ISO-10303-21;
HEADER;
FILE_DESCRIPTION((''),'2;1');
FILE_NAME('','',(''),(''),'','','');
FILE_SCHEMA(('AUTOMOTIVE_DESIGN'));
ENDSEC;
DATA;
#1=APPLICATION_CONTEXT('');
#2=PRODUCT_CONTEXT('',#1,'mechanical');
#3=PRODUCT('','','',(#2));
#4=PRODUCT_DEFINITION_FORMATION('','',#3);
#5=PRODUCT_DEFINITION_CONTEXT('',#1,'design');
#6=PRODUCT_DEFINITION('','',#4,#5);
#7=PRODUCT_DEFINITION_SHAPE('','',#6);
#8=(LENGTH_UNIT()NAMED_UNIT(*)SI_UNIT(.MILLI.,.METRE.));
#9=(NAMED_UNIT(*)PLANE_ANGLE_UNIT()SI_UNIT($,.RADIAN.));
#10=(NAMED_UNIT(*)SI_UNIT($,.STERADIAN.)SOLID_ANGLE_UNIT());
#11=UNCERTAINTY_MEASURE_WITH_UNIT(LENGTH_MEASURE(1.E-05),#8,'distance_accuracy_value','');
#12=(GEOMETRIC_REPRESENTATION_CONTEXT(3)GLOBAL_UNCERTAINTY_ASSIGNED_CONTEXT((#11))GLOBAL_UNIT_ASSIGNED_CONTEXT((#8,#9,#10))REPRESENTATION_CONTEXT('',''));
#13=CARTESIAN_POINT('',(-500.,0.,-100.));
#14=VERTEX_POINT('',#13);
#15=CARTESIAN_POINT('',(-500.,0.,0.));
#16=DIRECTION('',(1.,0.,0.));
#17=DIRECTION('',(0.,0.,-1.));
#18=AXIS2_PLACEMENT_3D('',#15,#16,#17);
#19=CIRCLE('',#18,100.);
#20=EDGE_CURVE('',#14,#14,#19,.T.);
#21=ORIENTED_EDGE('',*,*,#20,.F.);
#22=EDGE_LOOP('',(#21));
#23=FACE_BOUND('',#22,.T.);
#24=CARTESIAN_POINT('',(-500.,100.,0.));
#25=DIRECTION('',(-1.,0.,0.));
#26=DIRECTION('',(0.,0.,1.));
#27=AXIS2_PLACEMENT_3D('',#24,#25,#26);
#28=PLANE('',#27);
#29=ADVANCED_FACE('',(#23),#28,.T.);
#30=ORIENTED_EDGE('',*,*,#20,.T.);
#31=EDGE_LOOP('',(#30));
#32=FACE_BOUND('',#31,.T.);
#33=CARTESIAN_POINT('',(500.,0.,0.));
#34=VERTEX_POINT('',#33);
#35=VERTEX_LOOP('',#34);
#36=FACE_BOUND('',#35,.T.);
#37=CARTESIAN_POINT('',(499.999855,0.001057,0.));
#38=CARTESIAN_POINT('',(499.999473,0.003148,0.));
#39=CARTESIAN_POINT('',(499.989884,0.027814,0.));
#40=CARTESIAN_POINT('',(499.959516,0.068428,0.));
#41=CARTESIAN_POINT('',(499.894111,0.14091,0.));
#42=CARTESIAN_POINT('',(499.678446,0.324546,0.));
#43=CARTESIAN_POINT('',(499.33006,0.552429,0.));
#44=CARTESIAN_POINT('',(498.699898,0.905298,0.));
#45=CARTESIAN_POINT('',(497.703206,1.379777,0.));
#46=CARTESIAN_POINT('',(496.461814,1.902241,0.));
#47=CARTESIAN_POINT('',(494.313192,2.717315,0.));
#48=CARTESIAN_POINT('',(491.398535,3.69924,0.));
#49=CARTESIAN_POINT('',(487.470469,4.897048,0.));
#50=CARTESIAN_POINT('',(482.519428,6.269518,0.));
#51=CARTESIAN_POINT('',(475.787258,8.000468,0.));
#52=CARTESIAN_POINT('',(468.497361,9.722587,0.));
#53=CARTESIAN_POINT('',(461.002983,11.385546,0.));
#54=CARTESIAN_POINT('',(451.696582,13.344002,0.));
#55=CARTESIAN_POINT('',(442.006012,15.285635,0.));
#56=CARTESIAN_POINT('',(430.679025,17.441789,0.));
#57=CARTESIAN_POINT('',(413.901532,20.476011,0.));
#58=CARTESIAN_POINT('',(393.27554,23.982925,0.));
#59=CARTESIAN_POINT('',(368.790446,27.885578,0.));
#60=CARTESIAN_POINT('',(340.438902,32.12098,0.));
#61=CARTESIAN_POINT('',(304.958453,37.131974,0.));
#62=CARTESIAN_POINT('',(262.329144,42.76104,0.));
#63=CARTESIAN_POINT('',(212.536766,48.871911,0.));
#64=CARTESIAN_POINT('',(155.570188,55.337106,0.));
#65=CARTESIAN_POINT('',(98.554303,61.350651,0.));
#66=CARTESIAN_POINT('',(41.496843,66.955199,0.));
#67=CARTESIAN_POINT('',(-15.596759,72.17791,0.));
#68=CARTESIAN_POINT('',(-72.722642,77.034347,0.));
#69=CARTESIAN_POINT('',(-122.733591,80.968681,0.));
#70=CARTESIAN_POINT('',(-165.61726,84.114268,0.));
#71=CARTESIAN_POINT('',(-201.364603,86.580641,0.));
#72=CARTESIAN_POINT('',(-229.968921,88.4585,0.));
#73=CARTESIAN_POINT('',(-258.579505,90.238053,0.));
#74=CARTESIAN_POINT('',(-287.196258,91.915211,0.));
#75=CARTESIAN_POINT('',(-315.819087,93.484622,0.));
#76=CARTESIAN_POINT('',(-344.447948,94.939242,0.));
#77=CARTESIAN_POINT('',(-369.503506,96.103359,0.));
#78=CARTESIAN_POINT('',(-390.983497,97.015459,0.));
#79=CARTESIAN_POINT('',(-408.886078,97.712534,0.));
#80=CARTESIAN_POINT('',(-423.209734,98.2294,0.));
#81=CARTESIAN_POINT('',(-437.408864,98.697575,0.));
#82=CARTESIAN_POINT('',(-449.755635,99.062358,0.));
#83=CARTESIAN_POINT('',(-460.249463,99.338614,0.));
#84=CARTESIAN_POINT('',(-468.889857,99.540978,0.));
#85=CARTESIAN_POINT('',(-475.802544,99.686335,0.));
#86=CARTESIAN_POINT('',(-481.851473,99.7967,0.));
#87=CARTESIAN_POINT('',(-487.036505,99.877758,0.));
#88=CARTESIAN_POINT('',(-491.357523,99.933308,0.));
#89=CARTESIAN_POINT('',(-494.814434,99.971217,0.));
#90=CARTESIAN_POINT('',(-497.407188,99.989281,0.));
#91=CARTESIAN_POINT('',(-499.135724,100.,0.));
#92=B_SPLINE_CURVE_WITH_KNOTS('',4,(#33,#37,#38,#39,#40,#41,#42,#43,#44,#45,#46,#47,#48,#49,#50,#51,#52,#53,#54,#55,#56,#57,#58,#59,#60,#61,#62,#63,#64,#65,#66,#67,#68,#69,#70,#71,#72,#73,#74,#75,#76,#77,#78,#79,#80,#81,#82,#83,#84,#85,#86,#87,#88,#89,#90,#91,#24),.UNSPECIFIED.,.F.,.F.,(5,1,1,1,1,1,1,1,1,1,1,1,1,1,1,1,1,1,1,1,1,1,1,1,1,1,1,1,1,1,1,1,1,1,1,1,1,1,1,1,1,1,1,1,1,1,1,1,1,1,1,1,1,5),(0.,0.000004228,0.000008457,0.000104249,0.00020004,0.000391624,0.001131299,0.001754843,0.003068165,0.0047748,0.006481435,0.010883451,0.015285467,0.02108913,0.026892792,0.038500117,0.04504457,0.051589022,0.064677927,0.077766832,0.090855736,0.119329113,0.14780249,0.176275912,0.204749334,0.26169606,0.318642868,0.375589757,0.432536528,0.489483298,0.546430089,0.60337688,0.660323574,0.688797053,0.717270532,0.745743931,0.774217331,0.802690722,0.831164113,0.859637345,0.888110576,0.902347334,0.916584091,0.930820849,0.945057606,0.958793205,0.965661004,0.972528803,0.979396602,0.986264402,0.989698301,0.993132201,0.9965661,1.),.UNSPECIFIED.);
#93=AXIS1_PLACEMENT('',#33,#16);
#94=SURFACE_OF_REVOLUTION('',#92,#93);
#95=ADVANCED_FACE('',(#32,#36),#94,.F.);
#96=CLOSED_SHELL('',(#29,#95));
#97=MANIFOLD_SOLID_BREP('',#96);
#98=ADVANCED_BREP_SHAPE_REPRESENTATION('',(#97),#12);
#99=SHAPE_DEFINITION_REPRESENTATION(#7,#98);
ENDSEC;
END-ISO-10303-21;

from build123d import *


with BuildPart() as part:
    # Sketch1 → Revolve2 (revolve)
    with BuildSketch(Plane.XY):
        with BuildLine():
            Line((500, 0), (-500, 0))
            Line((-500, 0), (-500, 100))
            add(Edge.make_bspline(
                [(500, 0), (499.999855374, 0.001056677), (499.999473149, 0.003147601), (499.989884113, 0.027813593), (499.95951609, 0.068428484), (499.894111128, 0.140909961), (499.678445857, 0.324546207), (499.330060206, 0.55242907), (498.699898099, 0.905298017), (497.703206304, 1.379777474), (496.461813741, 1.902240697), (494.313191943, 2.717314836), (491.398535344, 3.699239539), (487.470469287, 4.897048022), (482.519428311, 6.269517839), (475.787257881, 8.000467934), (468.497360792, 9.722586562), (461.002982952, 11.385545515), (451.696581811, 13.344002362), (442.006011587, 15.285635239), (430.679025095, 17.441789284), (413.901531966, 20.476011424), (393.275539875, 23.982925192), (368.790445546, 27.885577801), (340.438902453, 32.120980386), (304.958453194, 37.131974355), (262.329144219, 42.761039626), (212.536766383, 48.871910527), (155.57018809, 55.337106186), (98.554302724, 61.350650609), (41.496842523, 66.955198723), (-15.596759334, 72.177910176), (-72.722642384, 77.03434742), (-122.733590964, 80.968680697), (-165.617260354, 84.114268224), (-201.364603268, 86.580640704), (-229.968921229, 88.458500019), (-258.579505396, 90.238053044), (-287.196258069, 91.915210718), (-315.819087177, 93.484621756), (-344.447947956, 94.939242421), (-369.503505798, 96.103358625), (-390.983496729, 97.015458616), (-408.886078409, 97.712533998), (-423.209733631, 98.229399644), (-437.408863695, 98.697574833), (-449.755635127, 99.062358318), (-460.249462879, 99.338613808), (-468.889857125, 99.540978347), (-475.802544221, 99.686335298), (-481.851472931, 99.79670016), (-487.03650511, 99.877758364), (-491.357523334, 99.9333083), (-494.814434067, 99.971217003), (-497.407188011, 99.989281484), (-499.135724286, 100), (-500, 100)],
                knots=[0, 0, 0, 0, 0, 4.228e-06, 8.457e-06, 0.000104249, 0.00020004, 0.000391624, 0.001131299, 0.001754843, 0.003068165, 0.0047748, 0.006481435, 0.010883451, 0.015285467, 0.02108913, 0.026892792, 0.038500117, 0.04504457, 0.051589022, 0.064677927, 0.077766832, 0.090855736, 0.119329113, 0.14780249, 0.176275912, 0.204749334, 0.26169606, 0.318642868, 0.375589757, 0.432536528, 0.489483298, 0.546430089, 0.60337688, 0.660323574, 0.688797053, 0.717270532, 0.745743931, 0.774217331, 0.802690722, 0.831164113, 0.859637345, 0.888110576, 0.902347334, 0.916584091, 0.930820849, 0.945057606, 0.958793205, 0.965661004, 0.972528803, 0.979396602, 0.986264402, 0.989698301, 0.993132201, 0.9965661, 1, 1, 1, 1, 1], degree=4))
        make_face()
    revolve(axis=Axis((500, 0, 0), (-1, 0, 0)))


solid = part.part
